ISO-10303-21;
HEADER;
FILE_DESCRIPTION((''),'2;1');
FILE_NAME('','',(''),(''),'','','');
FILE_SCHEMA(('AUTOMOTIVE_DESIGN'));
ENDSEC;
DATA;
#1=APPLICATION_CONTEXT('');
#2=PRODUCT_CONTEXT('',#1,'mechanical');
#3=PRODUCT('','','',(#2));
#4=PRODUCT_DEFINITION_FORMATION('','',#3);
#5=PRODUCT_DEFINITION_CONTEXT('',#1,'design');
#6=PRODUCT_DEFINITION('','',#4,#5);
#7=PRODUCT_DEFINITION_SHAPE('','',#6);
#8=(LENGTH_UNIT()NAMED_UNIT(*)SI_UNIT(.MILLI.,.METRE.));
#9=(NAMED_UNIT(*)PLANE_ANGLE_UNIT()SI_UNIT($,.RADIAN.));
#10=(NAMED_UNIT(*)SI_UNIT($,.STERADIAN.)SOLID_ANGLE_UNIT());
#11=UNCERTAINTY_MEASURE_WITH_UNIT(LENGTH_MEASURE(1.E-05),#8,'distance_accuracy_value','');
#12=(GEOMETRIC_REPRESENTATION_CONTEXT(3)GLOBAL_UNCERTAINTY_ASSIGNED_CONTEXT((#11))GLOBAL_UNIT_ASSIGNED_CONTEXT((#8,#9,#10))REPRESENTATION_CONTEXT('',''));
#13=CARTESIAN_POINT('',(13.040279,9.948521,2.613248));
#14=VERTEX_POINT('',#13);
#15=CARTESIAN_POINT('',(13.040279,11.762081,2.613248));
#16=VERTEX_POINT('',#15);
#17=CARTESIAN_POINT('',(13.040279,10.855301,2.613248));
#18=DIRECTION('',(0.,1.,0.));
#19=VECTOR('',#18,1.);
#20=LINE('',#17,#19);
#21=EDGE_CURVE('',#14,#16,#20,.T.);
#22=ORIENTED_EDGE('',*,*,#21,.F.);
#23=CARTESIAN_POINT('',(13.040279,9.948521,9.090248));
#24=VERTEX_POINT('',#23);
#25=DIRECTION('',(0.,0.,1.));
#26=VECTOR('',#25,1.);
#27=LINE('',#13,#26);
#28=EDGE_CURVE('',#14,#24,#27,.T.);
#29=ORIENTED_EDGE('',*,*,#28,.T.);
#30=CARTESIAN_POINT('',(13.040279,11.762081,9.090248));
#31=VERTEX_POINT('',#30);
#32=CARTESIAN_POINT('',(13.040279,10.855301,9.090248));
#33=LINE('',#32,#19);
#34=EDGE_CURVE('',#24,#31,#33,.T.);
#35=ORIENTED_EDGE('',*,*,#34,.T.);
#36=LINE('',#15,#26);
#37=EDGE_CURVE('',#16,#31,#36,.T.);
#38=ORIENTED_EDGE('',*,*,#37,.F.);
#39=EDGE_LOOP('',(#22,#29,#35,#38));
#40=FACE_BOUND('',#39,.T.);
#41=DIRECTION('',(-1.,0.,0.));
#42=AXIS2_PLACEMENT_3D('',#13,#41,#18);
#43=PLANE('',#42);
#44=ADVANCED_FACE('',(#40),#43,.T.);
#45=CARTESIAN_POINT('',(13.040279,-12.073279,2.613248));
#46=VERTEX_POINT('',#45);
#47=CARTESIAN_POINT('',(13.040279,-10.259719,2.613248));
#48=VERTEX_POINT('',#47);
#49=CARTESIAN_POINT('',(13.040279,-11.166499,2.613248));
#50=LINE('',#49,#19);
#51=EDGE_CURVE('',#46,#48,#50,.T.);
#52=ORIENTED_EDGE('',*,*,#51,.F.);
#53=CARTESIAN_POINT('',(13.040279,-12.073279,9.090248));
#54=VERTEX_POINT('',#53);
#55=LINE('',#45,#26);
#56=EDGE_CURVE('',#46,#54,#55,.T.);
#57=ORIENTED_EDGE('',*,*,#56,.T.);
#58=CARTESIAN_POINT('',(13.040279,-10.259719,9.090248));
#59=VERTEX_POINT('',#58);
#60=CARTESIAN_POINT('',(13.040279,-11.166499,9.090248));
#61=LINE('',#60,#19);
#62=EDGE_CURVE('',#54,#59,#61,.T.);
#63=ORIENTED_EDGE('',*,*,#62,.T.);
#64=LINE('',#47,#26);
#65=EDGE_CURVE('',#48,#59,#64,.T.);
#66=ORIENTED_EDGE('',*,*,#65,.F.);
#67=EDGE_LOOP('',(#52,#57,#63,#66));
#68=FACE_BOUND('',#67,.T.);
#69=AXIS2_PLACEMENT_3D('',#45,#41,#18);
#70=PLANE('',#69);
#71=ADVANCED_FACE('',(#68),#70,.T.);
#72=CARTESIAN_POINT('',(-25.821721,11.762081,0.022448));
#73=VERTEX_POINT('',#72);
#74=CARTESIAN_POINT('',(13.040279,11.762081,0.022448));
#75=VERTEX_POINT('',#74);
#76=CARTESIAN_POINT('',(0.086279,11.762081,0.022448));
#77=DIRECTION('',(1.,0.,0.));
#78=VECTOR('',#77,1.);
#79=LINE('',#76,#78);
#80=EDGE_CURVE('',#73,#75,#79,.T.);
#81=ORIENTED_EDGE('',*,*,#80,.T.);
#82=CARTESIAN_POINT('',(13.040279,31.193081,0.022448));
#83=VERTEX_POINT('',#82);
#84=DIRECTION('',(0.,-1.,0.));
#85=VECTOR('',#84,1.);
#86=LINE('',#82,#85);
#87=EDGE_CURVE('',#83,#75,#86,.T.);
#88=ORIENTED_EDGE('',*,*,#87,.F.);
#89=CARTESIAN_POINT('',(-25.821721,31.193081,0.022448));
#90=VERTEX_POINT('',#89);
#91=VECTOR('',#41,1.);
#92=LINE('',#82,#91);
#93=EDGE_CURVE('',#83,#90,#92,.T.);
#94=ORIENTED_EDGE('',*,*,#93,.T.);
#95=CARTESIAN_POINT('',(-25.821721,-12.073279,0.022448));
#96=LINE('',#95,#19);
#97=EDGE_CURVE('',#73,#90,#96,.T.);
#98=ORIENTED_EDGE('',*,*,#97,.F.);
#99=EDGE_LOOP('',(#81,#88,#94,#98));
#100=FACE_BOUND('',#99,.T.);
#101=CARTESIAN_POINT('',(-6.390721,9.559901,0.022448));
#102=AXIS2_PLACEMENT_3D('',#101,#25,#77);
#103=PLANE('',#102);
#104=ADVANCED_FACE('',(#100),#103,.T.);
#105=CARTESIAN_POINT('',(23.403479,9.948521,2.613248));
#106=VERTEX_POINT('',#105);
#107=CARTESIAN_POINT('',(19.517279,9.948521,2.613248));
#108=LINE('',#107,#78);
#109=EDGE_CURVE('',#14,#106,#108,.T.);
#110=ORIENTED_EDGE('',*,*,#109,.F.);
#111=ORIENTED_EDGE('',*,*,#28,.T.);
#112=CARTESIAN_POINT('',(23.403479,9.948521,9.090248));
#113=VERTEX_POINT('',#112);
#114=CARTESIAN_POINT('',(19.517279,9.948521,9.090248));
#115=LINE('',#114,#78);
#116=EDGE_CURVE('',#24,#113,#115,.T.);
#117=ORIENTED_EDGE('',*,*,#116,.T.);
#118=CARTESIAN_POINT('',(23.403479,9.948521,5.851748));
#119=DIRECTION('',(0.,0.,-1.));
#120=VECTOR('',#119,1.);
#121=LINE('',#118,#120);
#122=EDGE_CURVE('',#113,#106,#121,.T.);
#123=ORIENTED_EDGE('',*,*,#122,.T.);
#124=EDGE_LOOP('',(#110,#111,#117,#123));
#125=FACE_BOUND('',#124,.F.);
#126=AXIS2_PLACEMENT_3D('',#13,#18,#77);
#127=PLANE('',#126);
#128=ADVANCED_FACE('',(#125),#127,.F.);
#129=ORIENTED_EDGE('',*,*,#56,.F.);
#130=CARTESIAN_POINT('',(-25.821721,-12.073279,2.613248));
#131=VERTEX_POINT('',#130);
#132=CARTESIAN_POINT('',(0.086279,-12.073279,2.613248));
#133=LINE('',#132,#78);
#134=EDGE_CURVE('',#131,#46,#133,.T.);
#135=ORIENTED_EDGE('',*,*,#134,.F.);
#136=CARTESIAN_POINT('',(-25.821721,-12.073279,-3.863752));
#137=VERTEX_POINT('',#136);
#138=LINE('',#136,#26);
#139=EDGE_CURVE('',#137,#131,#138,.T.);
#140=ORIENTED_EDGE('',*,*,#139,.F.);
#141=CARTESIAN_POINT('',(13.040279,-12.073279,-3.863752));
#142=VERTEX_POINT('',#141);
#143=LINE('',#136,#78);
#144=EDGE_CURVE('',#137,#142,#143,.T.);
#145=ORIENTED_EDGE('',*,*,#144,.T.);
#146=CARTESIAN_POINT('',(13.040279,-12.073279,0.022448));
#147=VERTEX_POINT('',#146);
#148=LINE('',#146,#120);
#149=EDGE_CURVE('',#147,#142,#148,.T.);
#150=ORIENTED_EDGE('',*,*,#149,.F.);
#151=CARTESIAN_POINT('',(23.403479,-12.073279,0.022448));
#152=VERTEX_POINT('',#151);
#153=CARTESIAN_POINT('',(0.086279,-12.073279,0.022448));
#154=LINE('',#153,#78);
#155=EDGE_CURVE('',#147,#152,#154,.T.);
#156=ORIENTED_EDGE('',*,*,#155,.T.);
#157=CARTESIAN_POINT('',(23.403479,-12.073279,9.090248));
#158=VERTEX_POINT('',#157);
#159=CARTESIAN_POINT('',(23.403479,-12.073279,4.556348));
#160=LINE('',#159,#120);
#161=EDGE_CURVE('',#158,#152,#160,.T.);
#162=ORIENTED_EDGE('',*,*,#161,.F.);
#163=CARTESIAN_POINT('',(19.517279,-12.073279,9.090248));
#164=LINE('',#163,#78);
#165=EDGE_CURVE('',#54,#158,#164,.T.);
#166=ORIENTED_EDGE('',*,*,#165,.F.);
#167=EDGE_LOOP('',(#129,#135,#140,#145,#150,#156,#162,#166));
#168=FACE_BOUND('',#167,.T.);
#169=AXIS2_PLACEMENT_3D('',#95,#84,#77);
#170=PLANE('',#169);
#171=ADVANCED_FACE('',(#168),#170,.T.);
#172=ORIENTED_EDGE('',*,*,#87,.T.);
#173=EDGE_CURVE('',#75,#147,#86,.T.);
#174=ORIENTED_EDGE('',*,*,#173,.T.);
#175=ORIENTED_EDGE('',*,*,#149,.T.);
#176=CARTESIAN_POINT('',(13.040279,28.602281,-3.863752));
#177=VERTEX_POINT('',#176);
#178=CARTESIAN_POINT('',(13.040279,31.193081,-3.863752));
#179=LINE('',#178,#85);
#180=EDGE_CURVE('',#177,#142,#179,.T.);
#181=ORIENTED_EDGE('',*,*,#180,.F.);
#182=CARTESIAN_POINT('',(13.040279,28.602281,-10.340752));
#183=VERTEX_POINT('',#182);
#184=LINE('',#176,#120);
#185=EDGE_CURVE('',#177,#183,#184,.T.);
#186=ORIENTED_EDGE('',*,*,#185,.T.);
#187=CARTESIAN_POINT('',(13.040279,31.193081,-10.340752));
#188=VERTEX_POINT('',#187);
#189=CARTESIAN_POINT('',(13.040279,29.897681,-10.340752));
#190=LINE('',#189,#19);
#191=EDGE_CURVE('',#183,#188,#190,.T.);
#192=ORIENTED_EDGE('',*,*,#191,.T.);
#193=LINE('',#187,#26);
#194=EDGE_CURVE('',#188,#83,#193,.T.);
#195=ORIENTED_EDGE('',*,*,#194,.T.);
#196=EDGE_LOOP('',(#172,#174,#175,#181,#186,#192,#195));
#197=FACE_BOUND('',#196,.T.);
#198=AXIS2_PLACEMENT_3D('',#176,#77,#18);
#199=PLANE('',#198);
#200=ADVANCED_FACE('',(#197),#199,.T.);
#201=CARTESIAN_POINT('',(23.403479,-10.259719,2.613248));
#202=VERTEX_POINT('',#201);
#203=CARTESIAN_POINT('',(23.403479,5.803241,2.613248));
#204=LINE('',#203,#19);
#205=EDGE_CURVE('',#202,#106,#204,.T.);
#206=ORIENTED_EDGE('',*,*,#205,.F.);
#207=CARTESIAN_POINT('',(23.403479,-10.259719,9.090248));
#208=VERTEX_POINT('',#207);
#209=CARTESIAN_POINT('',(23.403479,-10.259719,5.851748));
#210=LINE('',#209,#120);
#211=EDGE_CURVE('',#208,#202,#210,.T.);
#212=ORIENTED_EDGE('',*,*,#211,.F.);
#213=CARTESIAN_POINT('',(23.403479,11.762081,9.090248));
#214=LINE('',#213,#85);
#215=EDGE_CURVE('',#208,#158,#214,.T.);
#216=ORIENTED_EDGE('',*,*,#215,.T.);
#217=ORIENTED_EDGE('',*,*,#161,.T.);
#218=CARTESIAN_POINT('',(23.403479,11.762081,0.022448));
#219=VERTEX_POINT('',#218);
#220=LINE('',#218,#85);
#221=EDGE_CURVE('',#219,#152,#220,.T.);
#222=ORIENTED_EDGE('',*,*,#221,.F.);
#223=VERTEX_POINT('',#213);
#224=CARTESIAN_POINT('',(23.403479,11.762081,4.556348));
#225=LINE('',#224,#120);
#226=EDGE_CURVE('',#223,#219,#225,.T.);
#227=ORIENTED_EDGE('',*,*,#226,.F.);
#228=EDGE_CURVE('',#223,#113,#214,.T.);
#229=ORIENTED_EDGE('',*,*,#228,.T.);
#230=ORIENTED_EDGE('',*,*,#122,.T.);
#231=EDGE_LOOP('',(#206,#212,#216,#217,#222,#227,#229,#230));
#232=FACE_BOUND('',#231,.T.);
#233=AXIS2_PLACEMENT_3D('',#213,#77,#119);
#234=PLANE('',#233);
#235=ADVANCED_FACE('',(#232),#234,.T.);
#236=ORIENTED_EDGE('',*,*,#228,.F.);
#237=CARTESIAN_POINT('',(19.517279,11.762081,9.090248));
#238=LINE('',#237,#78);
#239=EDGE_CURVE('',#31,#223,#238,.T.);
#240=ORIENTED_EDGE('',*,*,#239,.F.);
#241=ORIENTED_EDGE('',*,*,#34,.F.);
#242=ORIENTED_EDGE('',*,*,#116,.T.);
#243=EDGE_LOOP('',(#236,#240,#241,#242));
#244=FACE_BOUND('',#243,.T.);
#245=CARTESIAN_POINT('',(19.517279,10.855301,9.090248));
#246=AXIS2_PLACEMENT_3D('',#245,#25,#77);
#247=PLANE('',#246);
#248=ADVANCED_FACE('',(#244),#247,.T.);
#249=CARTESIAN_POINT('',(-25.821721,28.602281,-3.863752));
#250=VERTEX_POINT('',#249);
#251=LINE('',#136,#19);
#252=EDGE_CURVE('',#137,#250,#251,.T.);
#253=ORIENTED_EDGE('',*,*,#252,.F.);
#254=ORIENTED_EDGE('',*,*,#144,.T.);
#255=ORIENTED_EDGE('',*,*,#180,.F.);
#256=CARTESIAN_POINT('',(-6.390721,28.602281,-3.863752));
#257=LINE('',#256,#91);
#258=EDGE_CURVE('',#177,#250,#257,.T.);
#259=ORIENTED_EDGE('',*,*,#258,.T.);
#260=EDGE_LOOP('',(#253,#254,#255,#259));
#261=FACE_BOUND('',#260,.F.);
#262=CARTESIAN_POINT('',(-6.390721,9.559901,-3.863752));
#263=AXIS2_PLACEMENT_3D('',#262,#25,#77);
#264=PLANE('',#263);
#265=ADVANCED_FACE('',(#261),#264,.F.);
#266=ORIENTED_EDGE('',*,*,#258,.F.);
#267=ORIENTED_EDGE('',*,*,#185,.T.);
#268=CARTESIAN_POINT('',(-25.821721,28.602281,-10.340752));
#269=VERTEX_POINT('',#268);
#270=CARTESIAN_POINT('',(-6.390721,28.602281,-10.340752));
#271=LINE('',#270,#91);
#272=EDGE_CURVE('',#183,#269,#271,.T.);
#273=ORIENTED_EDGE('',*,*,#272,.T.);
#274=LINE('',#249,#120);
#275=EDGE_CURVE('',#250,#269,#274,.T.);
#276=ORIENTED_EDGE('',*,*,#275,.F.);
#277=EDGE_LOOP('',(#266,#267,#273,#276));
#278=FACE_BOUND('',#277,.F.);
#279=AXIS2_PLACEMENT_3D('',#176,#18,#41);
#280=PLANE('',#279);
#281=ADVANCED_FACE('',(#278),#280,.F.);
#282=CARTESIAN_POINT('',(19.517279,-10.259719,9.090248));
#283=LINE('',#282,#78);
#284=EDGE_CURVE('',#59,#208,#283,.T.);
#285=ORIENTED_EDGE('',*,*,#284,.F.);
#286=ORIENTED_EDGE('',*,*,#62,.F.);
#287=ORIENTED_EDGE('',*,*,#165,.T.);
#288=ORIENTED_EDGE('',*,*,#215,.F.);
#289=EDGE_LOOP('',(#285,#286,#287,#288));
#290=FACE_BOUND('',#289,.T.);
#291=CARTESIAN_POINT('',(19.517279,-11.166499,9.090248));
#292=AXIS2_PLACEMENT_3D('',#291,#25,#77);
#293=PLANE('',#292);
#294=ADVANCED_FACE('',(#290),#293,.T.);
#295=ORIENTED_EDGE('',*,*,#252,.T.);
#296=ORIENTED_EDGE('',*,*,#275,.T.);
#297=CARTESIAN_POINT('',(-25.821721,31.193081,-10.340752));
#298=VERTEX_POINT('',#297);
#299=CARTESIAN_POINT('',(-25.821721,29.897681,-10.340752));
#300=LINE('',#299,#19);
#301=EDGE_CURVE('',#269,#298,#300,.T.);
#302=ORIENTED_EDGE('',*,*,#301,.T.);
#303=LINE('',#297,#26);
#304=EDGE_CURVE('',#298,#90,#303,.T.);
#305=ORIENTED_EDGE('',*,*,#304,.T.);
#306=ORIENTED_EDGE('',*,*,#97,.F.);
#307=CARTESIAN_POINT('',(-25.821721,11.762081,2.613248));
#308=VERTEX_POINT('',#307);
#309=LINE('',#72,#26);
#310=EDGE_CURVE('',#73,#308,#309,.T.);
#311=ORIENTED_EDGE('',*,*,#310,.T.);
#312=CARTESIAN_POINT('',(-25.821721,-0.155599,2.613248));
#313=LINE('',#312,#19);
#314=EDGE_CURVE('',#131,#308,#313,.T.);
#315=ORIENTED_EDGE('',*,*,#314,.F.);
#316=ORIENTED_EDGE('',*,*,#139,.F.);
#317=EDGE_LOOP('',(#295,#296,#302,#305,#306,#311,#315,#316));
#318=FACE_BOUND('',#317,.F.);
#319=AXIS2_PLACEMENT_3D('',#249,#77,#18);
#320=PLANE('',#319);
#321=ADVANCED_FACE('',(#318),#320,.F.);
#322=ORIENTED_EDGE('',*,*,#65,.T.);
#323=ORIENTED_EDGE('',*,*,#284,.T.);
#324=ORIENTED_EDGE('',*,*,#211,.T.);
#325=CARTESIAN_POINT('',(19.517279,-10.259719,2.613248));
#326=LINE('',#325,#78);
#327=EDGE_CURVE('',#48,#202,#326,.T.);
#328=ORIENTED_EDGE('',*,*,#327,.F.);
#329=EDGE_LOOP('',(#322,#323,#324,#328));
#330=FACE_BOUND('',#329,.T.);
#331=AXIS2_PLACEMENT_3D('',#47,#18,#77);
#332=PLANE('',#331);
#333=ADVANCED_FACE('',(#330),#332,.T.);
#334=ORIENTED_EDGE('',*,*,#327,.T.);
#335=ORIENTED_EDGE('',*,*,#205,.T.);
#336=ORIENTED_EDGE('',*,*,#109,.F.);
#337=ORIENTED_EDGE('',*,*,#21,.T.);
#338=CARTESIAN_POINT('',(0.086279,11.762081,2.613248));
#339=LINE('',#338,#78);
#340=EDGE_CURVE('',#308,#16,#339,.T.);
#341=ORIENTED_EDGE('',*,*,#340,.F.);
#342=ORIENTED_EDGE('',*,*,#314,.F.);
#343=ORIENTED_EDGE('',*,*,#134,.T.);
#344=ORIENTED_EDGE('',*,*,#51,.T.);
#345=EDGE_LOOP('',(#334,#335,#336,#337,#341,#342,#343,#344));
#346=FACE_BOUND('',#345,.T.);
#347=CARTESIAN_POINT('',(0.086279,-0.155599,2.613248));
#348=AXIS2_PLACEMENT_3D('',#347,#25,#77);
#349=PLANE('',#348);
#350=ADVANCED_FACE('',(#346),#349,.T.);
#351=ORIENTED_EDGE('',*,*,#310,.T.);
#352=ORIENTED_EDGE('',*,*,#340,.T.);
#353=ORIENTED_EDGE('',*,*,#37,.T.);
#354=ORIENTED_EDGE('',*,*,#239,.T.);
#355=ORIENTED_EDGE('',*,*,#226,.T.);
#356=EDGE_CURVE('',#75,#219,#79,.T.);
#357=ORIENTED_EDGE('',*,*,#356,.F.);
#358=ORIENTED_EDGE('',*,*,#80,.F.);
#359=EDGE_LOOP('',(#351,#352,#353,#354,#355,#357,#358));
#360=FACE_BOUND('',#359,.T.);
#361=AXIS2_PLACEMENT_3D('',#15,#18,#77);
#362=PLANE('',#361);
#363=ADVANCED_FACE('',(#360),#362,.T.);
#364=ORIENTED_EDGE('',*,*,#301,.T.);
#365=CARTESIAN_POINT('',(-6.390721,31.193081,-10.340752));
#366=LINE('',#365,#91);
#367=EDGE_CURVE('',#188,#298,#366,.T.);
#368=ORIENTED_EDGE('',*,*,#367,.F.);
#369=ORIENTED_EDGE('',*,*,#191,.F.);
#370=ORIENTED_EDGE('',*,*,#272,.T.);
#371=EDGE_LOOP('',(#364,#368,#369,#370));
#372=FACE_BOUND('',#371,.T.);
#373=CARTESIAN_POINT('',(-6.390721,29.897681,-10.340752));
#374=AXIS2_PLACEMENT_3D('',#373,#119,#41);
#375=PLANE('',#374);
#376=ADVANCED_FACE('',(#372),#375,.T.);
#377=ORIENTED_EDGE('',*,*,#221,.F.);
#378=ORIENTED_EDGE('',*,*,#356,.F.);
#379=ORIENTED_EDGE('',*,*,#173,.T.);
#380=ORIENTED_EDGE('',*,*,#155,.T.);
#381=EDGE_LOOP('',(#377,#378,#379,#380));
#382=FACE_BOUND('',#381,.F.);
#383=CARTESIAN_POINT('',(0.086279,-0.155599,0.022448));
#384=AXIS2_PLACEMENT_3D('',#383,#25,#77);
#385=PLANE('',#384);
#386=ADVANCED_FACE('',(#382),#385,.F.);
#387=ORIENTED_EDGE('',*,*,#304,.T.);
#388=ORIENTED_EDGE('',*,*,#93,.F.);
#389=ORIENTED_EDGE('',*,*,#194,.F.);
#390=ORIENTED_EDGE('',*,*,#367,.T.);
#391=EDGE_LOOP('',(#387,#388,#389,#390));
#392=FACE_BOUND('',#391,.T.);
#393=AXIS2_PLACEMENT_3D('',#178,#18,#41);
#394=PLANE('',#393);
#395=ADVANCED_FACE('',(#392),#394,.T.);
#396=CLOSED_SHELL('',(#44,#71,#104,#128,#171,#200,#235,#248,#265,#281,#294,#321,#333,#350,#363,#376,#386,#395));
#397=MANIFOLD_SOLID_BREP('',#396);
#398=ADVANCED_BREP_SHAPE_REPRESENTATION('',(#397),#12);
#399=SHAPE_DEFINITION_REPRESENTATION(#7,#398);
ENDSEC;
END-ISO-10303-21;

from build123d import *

# Parameters (mm, degrees)
SKETCH2_W           = 50.8
SKETCH2_H           = 23.368
BOSS_EXTRUDE1_DEPTH = 2.54
SKETCH3_W           = 12.7
SKETCH3_H           = 1.778
BOSS_EXTRUDE2_DEPTH = 6.35
SKETCH4_W           = 2.54
SKETCH4_H           = 8.89
CUT_EXTRUDE1_DEPTH  = 24.368
BOSS_EXTRUDE3_DEPTH = 3.81
SKETCH10_W          = 38.1
SKETCH10_H          = 2.54
BOSS_EXTRUDE6_DEPTH = 6.35
SCALE1_SCALE        = 1.02


with BuildPart() as part:
    # Sketch2 → Boss-Extrude1 (new body)
    with BuildSketch(Plane.XY):
        Rectangle(SKETCH2_W, SKETCH2_H)
    extrude(amount=BOSS_EXTRUDE1_DEPTH)

    # Sketch3 → Boss-Extrude2 (add)
    with BuildSketch(Plane.XY.offset(2.54)):
        with Locations((19.05, 10.795)):
            Rectangle(SKETCH3_W, SKETCH3_H)
        with Locations((19.05, -10.795)):
            Rectangle(SKETCH3_W, SKETCH3_H)
    extrude(amount=BOSS_EXTRUDE2_DEPTH)

    # Sketch4 → Cut-Extrude1 (cut, through all)
    with BuildSketch(Plane(origin=(0, 11.684, 0), x_dir=(1, 0, 0), z_dir=(0, 1, 0))):
        with Locations((24.13, -4.445)):
            Rectangle(SKETCH4_W, SKETCH4_H)
    extrude(amount=-CUT_EXTRUDE1_DEPTH, mode=Mode.SUBTRACT)

    # Sketch5 → Boss-Extrude3 (add)
    with BuildSketch(Plane(origin=(0, 0, 0), x_dir=(-1, 0, 0), z_dir=(0, 0, -1))):
        Polygon((25.4, 11.684), (25.4, -11.684), (-12.7, -11.684), (-12.7, 11.684), (-12.7, 30.734), (25.4, 30.734), align=None)
    extrude(amount=BOSS_EXTRUDE3_DEPTH)

    # Sketch10 → Boss-Extrude6 (add)
    with BuildSketch(Plane(origin=(0, 0, -3.81), x_dir=(-1, 0, 0), z_dir=(0, 0, -1))):
        with Locations((6.35, 29.464)):
            Rectangle(SKETCH10_W, SKETCH10_H)
    extrude(amount=BOSS_EXTRUDE6_DEPTH)


with BuildPart() as part_1:
    # Scale1: scaled about (-4.313949838, 7.779949755, -1.122390582)
    add(part.part.scale(SCALE1_SCALE).moved(Location((0.086278997, -0.155598995, 0.022447812))))


solid = part_1.part
